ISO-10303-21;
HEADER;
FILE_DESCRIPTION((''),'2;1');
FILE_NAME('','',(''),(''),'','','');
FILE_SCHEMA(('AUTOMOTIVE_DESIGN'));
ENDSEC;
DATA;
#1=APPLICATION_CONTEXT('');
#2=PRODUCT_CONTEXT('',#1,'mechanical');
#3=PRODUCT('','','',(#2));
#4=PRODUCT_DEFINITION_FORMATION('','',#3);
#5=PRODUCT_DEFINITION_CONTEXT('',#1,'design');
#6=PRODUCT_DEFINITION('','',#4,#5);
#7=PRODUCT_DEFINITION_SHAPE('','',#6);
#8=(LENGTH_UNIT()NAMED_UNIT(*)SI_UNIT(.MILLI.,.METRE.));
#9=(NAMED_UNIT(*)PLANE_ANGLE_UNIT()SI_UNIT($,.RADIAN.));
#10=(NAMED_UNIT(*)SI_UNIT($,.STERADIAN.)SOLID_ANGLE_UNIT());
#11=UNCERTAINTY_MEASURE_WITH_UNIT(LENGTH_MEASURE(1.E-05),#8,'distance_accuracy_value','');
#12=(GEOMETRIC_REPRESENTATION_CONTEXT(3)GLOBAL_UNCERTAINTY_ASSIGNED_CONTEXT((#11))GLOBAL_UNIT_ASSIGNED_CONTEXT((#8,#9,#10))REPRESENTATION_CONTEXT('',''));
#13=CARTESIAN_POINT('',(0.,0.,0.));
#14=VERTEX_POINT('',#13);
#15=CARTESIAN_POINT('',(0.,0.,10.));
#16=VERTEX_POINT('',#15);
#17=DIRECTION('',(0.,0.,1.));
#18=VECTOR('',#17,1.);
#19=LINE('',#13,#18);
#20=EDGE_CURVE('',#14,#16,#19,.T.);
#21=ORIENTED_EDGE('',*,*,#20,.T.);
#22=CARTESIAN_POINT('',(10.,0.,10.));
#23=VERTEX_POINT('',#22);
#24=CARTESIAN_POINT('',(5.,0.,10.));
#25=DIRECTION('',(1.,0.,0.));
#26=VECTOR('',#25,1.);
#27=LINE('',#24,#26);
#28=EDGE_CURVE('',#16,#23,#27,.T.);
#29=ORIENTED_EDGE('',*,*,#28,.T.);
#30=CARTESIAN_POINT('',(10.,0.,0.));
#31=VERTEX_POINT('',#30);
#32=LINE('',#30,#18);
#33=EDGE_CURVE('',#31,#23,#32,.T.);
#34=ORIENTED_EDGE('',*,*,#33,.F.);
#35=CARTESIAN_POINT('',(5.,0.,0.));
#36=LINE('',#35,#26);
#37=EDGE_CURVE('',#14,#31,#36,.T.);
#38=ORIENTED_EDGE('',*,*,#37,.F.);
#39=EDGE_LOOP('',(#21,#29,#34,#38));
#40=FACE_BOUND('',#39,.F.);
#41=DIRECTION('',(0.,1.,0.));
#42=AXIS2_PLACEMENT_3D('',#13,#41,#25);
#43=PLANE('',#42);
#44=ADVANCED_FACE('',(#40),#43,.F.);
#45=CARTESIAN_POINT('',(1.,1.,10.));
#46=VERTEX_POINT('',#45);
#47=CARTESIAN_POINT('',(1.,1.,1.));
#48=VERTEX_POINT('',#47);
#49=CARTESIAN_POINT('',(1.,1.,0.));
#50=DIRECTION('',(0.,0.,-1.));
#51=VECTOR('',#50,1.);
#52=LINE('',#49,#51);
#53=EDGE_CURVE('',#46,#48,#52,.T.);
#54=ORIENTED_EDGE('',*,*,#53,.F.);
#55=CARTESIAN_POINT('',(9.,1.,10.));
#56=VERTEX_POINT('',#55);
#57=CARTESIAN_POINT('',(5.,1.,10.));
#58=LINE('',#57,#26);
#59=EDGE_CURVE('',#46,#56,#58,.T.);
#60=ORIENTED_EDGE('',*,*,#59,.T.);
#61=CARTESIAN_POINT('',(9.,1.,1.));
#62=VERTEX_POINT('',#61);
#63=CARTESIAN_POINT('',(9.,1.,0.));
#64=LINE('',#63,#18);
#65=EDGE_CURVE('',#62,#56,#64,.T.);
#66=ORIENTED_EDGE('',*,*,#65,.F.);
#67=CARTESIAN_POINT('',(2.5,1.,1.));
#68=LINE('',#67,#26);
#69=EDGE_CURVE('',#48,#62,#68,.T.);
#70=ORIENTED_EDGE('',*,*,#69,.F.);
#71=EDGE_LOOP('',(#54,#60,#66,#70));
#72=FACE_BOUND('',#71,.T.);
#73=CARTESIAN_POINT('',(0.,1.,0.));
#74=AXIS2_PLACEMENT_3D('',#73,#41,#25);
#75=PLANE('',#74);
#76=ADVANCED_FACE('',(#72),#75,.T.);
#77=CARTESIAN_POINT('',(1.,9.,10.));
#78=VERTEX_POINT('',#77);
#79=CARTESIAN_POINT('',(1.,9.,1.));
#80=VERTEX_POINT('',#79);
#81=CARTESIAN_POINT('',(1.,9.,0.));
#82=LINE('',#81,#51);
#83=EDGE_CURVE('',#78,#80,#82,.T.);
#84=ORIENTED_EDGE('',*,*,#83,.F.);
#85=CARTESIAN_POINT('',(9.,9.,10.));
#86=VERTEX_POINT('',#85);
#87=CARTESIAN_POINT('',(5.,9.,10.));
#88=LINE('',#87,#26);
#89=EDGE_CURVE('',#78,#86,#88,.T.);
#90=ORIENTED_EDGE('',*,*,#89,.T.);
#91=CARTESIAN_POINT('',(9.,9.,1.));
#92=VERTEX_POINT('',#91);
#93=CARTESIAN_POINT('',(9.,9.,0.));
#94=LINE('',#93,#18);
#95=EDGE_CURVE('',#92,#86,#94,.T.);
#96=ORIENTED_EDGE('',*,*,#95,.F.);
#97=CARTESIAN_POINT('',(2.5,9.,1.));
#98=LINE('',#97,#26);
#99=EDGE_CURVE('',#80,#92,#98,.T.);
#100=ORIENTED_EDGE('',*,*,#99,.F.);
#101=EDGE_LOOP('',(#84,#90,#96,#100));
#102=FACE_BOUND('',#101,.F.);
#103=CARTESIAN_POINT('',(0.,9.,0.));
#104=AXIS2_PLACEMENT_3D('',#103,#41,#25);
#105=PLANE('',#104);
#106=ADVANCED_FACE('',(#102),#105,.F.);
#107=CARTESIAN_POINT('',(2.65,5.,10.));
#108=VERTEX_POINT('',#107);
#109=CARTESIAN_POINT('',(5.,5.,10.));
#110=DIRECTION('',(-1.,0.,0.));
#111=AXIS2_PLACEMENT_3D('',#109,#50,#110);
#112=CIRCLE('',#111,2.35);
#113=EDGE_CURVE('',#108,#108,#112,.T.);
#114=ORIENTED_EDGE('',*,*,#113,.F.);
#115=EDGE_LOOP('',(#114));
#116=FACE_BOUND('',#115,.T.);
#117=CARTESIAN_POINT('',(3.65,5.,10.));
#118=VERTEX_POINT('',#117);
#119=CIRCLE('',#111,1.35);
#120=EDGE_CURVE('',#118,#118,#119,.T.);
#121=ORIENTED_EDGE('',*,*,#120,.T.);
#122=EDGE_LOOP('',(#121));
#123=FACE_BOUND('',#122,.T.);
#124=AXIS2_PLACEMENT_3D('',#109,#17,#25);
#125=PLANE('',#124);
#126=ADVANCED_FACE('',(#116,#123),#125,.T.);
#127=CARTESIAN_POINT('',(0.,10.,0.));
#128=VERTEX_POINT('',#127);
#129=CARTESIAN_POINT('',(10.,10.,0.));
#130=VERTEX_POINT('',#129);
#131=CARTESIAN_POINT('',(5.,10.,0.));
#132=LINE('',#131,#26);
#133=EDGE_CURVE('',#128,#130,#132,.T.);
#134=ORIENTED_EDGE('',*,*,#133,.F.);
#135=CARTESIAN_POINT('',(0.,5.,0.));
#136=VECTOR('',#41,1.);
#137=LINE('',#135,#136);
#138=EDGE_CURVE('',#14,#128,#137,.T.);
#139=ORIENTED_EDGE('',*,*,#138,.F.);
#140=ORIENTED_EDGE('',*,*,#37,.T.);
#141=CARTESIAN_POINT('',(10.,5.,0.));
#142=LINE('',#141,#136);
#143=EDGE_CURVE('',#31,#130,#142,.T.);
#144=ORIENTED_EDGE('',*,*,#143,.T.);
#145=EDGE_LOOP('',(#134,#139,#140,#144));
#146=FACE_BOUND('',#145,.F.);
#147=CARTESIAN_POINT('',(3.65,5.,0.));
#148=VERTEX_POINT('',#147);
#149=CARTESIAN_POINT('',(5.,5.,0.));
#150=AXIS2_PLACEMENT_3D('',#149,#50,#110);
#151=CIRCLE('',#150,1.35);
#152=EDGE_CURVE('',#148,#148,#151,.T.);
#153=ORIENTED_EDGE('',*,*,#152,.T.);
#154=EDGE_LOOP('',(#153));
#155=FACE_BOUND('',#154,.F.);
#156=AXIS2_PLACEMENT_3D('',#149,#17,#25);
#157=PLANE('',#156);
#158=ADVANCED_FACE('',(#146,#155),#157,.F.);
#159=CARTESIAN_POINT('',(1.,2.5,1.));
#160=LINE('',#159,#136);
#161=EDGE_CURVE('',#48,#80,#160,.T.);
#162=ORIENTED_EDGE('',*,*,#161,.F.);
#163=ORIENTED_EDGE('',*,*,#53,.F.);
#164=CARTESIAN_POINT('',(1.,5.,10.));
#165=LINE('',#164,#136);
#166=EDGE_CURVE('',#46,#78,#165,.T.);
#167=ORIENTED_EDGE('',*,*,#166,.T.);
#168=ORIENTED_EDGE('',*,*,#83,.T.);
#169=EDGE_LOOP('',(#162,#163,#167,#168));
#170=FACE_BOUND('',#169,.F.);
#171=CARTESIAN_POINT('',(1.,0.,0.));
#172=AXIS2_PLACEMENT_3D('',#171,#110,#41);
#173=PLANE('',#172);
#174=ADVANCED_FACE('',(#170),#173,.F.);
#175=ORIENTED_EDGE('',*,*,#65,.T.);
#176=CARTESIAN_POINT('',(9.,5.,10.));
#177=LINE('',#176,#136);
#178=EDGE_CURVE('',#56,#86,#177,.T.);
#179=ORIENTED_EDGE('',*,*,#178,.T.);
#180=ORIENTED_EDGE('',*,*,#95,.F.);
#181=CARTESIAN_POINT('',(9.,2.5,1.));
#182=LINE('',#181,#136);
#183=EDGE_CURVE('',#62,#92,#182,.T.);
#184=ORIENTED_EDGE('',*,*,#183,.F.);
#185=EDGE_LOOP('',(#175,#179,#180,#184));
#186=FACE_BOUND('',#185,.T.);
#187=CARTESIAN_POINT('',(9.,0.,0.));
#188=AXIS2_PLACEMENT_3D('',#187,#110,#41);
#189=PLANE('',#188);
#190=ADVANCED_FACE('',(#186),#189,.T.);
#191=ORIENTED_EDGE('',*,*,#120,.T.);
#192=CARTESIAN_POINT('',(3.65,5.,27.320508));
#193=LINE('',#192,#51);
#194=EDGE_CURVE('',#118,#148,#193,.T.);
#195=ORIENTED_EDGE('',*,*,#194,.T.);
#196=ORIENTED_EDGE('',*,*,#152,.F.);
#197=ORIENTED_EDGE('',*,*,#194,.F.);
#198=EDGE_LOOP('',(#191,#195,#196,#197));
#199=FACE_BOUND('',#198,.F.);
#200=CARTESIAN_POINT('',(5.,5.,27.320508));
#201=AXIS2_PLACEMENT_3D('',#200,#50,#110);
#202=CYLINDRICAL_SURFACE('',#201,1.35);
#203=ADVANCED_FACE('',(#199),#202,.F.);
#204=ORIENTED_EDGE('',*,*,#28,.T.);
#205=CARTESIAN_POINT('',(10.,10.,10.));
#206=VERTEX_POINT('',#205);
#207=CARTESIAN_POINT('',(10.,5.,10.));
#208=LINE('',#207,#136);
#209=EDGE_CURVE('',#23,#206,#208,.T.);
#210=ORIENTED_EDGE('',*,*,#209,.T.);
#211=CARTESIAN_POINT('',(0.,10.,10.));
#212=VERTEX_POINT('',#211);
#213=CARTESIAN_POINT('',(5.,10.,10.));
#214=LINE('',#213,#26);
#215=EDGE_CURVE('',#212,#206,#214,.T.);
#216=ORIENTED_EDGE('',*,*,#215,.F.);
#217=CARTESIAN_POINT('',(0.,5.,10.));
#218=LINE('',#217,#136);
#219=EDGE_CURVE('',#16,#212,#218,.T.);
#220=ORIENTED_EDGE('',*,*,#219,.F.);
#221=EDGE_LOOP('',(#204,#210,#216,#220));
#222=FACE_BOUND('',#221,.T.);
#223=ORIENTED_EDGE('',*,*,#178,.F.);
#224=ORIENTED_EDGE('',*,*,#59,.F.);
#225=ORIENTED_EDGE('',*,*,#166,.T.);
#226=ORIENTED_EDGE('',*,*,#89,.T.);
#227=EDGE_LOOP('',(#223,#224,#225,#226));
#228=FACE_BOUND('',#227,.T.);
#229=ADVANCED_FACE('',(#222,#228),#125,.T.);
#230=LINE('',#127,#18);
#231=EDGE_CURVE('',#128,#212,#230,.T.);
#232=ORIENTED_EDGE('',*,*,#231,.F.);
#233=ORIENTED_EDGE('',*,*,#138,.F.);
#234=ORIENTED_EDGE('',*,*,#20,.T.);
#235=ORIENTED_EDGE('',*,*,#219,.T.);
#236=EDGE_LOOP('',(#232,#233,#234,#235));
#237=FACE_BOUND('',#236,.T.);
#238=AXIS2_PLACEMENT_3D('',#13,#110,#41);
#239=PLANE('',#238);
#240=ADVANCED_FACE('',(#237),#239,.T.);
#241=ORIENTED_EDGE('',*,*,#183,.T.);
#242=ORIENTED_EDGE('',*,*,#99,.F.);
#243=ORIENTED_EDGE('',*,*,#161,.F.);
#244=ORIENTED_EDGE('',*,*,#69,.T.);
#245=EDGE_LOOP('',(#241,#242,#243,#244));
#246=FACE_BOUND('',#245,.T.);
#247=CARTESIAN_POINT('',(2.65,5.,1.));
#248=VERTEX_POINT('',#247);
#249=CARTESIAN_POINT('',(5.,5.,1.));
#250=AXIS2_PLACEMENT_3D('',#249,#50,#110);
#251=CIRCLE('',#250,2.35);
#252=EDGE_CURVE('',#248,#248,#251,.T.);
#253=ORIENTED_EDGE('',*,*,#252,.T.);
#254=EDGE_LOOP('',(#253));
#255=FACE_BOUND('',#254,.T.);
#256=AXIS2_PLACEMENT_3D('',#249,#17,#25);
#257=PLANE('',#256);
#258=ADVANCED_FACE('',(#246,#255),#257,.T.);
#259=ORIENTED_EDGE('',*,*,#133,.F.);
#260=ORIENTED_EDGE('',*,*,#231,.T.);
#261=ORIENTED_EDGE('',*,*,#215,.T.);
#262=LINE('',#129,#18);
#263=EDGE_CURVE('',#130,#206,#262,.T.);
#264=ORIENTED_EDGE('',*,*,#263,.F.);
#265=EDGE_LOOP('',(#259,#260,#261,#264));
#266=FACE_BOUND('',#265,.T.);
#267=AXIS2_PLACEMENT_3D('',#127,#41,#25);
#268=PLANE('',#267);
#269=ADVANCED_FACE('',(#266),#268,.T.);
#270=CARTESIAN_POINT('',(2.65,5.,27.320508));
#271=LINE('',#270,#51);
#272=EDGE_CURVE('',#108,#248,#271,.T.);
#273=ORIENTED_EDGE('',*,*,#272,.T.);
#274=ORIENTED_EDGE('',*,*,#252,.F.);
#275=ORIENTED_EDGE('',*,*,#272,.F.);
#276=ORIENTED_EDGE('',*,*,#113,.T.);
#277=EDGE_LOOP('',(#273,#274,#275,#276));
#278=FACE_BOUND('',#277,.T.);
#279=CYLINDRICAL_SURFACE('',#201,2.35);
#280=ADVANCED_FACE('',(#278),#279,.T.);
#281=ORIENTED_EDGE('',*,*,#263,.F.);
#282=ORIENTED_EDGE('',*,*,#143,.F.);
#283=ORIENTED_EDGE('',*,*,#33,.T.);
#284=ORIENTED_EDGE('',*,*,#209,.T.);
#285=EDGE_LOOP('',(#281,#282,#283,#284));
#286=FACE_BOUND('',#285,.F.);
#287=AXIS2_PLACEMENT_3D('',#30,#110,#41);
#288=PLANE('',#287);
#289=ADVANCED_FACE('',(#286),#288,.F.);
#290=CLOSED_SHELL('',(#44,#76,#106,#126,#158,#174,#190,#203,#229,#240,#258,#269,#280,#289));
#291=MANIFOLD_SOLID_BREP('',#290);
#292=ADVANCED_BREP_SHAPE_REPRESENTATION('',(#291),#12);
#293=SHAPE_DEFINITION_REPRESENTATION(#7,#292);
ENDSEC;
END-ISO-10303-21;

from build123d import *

# Parameters (mm, degrees)
F0_W     = 10
F0_H     = 10
F1_DEPTH = 10
F3_D     = 2.7
F4_T     = -1


with BuildPart() as f1:
    # F0 (on Top) → F1 (new body)
    with BuildSketch(Plane.XY):
        with Locations((5, 5)):
            Rectangle(F0_W, F0_H)
    extrude(amount=F1_DEPTH)

    # F3 (through all)
    with Locations(Plane.XY.offset(10)):
        with Locations((5, 5)):
            Hole(F3_D / 2)

    # F4
    f4_openings = [f1.faces().sort_by_distance(p)[0] for p in [
        (0.141421, 5, 10),
    ]]
    offset(amount=F4_T, openings=f4_openings)


solid = f1.part
